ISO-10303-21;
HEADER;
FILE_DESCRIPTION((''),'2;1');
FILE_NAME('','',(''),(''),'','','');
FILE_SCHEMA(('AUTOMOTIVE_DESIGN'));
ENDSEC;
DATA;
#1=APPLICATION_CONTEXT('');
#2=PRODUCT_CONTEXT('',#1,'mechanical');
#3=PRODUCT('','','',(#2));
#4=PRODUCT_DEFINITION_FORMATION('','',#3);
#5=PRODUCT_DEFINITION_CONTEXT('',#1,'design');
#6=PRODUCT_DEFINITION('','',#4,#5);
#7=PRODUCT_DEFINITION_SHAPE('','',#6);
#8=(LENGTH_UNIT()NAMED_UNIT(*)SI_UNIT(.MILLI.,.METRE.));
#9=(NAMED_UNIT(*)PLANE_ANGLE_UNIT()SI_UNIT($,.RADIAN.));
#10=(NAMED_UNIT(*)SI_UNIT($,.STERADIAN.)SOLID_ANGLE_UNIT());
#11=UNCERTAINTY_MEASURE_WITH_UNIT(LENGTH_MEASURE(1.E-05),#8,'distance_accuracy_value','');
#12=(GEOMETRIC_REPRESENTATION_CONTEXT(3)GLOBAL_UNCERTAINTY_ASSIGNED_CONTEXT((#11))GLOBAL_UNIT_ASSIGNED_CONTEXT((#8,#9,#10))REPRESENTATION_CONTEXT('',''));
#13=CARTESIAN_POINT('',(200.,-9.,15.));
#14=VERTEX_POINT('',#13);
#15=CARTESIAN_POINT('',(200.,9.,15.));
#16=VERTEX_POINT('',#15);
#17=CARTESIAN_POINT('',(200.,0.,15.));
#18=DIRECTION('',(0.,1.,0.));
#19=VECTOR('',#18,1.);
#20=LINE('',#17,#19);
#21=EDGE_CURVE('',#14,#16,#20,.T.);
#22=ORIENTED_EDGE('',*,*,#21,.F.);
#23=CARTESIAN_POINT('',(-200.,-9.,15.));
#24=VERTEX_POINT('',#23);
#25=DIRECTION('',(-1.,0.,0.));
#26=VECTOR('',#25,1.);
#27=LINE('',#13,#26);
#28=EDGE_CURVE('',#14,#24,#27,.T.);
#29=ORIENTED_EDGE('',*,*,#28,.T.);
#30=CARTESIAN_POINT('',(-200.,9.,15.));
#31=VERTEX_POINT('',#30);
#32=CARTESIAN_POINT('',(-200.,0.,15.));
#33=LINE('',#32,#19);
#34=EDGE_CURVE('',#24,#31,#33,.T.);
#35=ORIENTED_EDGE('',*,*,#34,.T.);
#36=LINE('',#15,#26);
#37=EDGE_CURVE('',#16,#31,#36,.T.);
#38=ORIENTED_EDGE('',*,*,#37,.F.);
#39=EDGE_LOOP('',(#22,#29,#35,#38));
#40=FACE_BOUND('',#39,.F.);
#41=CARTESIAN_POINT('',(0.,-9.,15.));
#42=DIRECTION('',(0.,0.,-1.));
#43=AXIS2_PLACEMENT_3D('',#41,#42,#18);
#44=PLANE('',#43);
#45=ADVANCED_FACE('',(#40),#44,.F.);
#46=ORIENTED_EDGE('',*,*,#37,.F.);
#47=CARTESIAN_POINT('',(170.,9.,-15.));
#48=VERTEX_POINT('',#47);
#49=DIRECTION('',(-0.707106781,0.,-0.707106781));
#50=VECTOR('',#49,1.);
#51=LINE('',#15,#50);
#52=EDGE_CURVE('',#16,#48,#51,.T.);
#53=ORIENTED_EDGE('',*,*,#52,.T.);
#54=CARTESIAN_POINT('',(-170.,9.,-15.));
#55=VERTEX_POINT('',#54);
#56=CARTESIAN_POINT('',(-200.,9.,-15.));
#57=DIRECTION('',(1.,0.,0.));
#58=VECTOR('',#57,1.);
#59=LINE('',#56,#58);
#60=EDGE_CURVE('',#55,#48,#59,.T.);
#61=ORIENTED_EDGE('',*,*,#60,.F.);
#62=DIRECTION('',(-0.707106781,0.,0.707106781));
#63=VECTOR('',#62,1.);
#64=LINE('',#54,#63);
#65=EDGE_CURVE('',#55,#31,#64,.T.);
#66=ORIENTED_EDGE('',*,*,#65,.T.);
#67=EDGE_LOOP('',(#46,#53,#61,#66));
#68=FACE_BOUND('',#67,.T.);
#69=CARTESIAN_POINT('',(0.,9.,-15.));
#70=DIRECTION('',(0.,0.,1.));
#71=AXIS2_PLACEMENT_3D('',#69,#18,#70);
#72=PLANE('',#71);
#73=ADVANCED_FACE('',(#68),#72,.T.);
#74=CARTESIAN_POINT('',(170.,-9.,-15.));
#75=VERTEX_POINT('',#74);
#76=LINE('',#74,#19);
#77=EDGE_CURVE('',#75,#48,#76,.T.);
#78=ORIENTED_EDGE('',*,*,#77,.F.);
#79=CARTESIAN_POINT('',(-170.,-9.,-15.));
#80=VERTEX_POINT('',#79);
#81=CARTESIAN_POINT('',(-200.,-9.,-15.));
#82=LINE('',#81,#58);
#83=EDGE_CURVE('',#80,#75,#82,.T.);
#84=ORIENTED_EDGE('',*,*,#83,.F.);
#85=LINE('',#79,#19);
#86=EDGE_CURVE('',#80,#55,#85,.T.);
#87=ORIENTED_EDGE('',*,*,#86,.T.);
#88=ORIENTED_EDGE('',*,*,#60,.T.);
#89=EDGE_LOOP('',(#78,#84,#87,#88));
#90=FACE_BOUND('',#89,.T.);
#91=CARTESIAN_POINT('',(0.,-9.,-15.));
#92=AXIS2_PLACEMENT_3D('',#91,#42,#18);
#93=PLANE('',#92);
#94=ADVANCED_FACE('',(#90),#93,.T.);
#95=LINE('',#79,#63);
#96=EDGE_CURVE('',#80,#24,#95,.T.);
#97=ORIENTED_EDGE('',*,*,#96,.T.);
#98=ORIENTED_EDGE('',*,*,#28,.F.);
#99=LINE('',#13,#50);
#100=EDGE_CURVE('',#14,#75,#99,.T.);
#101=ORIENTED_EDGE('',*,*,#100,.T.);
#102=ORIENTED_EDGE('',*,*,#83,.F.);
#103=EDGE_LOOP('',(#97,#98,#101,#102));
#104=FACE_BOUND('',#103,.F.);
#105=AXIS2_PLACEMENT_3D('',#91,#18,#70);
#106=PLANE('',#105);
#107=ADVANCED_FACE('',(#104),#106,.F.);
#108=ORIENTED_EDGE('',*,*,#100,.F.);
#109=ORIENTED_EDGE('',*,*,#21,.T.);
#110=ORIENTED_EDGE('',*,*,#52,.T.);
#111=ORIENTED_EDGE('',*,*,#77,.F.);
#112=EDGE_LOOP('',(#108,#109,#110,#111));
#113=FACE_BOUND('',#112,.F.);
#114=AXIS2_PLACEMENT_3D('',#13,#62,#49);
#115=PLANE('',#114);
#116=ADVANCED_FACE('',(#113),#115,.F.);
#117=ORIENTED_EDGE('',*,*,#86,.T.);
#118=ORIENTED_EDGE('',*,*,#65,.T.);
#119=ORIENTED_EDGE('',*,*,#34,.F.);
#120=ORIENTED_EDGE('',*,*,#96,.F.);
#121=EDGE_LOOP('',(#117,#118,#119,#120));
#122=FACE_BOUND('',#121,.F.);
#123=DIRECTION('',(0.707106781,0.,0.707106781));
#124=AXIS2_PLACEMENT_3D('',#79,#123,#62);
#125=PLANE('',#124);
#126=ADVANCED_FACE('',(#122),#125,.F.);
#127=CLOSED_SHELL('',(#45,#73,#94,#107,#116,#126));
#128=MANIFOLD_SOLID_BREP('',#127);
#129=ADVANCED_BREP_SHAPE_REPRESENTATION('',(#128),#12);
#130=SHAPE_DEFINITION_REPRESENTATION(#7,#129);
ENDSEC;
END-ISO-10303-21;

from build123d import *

# Parameters (mm, degrees)
F0_W     = 18
F0_H     = 30
F1_DEPTH = 200
F3_DEPTH = 18


with BuildPart() as f1:
    # F0 (on Right) → F1 (new body, symmetric)
    with BuildSketch(Plane.YZ):
        Rectangle(F0_W, F0_H)
    extrude(amount=F1_DEPTH, both=True)

    # F2 (on face) → F3 (cut)
    with BuildSketch(Plane.XZ.offset(9)):
        Polygon((-170, -15), (-200, 15), (-200, -15), align=None)
        Polygon((200, -15), (200, 15), (170, -15), align=None)
    extrude(amount=-F3_DEPTH, mode=Mode.SUBTRACT)


solid = f1.part
